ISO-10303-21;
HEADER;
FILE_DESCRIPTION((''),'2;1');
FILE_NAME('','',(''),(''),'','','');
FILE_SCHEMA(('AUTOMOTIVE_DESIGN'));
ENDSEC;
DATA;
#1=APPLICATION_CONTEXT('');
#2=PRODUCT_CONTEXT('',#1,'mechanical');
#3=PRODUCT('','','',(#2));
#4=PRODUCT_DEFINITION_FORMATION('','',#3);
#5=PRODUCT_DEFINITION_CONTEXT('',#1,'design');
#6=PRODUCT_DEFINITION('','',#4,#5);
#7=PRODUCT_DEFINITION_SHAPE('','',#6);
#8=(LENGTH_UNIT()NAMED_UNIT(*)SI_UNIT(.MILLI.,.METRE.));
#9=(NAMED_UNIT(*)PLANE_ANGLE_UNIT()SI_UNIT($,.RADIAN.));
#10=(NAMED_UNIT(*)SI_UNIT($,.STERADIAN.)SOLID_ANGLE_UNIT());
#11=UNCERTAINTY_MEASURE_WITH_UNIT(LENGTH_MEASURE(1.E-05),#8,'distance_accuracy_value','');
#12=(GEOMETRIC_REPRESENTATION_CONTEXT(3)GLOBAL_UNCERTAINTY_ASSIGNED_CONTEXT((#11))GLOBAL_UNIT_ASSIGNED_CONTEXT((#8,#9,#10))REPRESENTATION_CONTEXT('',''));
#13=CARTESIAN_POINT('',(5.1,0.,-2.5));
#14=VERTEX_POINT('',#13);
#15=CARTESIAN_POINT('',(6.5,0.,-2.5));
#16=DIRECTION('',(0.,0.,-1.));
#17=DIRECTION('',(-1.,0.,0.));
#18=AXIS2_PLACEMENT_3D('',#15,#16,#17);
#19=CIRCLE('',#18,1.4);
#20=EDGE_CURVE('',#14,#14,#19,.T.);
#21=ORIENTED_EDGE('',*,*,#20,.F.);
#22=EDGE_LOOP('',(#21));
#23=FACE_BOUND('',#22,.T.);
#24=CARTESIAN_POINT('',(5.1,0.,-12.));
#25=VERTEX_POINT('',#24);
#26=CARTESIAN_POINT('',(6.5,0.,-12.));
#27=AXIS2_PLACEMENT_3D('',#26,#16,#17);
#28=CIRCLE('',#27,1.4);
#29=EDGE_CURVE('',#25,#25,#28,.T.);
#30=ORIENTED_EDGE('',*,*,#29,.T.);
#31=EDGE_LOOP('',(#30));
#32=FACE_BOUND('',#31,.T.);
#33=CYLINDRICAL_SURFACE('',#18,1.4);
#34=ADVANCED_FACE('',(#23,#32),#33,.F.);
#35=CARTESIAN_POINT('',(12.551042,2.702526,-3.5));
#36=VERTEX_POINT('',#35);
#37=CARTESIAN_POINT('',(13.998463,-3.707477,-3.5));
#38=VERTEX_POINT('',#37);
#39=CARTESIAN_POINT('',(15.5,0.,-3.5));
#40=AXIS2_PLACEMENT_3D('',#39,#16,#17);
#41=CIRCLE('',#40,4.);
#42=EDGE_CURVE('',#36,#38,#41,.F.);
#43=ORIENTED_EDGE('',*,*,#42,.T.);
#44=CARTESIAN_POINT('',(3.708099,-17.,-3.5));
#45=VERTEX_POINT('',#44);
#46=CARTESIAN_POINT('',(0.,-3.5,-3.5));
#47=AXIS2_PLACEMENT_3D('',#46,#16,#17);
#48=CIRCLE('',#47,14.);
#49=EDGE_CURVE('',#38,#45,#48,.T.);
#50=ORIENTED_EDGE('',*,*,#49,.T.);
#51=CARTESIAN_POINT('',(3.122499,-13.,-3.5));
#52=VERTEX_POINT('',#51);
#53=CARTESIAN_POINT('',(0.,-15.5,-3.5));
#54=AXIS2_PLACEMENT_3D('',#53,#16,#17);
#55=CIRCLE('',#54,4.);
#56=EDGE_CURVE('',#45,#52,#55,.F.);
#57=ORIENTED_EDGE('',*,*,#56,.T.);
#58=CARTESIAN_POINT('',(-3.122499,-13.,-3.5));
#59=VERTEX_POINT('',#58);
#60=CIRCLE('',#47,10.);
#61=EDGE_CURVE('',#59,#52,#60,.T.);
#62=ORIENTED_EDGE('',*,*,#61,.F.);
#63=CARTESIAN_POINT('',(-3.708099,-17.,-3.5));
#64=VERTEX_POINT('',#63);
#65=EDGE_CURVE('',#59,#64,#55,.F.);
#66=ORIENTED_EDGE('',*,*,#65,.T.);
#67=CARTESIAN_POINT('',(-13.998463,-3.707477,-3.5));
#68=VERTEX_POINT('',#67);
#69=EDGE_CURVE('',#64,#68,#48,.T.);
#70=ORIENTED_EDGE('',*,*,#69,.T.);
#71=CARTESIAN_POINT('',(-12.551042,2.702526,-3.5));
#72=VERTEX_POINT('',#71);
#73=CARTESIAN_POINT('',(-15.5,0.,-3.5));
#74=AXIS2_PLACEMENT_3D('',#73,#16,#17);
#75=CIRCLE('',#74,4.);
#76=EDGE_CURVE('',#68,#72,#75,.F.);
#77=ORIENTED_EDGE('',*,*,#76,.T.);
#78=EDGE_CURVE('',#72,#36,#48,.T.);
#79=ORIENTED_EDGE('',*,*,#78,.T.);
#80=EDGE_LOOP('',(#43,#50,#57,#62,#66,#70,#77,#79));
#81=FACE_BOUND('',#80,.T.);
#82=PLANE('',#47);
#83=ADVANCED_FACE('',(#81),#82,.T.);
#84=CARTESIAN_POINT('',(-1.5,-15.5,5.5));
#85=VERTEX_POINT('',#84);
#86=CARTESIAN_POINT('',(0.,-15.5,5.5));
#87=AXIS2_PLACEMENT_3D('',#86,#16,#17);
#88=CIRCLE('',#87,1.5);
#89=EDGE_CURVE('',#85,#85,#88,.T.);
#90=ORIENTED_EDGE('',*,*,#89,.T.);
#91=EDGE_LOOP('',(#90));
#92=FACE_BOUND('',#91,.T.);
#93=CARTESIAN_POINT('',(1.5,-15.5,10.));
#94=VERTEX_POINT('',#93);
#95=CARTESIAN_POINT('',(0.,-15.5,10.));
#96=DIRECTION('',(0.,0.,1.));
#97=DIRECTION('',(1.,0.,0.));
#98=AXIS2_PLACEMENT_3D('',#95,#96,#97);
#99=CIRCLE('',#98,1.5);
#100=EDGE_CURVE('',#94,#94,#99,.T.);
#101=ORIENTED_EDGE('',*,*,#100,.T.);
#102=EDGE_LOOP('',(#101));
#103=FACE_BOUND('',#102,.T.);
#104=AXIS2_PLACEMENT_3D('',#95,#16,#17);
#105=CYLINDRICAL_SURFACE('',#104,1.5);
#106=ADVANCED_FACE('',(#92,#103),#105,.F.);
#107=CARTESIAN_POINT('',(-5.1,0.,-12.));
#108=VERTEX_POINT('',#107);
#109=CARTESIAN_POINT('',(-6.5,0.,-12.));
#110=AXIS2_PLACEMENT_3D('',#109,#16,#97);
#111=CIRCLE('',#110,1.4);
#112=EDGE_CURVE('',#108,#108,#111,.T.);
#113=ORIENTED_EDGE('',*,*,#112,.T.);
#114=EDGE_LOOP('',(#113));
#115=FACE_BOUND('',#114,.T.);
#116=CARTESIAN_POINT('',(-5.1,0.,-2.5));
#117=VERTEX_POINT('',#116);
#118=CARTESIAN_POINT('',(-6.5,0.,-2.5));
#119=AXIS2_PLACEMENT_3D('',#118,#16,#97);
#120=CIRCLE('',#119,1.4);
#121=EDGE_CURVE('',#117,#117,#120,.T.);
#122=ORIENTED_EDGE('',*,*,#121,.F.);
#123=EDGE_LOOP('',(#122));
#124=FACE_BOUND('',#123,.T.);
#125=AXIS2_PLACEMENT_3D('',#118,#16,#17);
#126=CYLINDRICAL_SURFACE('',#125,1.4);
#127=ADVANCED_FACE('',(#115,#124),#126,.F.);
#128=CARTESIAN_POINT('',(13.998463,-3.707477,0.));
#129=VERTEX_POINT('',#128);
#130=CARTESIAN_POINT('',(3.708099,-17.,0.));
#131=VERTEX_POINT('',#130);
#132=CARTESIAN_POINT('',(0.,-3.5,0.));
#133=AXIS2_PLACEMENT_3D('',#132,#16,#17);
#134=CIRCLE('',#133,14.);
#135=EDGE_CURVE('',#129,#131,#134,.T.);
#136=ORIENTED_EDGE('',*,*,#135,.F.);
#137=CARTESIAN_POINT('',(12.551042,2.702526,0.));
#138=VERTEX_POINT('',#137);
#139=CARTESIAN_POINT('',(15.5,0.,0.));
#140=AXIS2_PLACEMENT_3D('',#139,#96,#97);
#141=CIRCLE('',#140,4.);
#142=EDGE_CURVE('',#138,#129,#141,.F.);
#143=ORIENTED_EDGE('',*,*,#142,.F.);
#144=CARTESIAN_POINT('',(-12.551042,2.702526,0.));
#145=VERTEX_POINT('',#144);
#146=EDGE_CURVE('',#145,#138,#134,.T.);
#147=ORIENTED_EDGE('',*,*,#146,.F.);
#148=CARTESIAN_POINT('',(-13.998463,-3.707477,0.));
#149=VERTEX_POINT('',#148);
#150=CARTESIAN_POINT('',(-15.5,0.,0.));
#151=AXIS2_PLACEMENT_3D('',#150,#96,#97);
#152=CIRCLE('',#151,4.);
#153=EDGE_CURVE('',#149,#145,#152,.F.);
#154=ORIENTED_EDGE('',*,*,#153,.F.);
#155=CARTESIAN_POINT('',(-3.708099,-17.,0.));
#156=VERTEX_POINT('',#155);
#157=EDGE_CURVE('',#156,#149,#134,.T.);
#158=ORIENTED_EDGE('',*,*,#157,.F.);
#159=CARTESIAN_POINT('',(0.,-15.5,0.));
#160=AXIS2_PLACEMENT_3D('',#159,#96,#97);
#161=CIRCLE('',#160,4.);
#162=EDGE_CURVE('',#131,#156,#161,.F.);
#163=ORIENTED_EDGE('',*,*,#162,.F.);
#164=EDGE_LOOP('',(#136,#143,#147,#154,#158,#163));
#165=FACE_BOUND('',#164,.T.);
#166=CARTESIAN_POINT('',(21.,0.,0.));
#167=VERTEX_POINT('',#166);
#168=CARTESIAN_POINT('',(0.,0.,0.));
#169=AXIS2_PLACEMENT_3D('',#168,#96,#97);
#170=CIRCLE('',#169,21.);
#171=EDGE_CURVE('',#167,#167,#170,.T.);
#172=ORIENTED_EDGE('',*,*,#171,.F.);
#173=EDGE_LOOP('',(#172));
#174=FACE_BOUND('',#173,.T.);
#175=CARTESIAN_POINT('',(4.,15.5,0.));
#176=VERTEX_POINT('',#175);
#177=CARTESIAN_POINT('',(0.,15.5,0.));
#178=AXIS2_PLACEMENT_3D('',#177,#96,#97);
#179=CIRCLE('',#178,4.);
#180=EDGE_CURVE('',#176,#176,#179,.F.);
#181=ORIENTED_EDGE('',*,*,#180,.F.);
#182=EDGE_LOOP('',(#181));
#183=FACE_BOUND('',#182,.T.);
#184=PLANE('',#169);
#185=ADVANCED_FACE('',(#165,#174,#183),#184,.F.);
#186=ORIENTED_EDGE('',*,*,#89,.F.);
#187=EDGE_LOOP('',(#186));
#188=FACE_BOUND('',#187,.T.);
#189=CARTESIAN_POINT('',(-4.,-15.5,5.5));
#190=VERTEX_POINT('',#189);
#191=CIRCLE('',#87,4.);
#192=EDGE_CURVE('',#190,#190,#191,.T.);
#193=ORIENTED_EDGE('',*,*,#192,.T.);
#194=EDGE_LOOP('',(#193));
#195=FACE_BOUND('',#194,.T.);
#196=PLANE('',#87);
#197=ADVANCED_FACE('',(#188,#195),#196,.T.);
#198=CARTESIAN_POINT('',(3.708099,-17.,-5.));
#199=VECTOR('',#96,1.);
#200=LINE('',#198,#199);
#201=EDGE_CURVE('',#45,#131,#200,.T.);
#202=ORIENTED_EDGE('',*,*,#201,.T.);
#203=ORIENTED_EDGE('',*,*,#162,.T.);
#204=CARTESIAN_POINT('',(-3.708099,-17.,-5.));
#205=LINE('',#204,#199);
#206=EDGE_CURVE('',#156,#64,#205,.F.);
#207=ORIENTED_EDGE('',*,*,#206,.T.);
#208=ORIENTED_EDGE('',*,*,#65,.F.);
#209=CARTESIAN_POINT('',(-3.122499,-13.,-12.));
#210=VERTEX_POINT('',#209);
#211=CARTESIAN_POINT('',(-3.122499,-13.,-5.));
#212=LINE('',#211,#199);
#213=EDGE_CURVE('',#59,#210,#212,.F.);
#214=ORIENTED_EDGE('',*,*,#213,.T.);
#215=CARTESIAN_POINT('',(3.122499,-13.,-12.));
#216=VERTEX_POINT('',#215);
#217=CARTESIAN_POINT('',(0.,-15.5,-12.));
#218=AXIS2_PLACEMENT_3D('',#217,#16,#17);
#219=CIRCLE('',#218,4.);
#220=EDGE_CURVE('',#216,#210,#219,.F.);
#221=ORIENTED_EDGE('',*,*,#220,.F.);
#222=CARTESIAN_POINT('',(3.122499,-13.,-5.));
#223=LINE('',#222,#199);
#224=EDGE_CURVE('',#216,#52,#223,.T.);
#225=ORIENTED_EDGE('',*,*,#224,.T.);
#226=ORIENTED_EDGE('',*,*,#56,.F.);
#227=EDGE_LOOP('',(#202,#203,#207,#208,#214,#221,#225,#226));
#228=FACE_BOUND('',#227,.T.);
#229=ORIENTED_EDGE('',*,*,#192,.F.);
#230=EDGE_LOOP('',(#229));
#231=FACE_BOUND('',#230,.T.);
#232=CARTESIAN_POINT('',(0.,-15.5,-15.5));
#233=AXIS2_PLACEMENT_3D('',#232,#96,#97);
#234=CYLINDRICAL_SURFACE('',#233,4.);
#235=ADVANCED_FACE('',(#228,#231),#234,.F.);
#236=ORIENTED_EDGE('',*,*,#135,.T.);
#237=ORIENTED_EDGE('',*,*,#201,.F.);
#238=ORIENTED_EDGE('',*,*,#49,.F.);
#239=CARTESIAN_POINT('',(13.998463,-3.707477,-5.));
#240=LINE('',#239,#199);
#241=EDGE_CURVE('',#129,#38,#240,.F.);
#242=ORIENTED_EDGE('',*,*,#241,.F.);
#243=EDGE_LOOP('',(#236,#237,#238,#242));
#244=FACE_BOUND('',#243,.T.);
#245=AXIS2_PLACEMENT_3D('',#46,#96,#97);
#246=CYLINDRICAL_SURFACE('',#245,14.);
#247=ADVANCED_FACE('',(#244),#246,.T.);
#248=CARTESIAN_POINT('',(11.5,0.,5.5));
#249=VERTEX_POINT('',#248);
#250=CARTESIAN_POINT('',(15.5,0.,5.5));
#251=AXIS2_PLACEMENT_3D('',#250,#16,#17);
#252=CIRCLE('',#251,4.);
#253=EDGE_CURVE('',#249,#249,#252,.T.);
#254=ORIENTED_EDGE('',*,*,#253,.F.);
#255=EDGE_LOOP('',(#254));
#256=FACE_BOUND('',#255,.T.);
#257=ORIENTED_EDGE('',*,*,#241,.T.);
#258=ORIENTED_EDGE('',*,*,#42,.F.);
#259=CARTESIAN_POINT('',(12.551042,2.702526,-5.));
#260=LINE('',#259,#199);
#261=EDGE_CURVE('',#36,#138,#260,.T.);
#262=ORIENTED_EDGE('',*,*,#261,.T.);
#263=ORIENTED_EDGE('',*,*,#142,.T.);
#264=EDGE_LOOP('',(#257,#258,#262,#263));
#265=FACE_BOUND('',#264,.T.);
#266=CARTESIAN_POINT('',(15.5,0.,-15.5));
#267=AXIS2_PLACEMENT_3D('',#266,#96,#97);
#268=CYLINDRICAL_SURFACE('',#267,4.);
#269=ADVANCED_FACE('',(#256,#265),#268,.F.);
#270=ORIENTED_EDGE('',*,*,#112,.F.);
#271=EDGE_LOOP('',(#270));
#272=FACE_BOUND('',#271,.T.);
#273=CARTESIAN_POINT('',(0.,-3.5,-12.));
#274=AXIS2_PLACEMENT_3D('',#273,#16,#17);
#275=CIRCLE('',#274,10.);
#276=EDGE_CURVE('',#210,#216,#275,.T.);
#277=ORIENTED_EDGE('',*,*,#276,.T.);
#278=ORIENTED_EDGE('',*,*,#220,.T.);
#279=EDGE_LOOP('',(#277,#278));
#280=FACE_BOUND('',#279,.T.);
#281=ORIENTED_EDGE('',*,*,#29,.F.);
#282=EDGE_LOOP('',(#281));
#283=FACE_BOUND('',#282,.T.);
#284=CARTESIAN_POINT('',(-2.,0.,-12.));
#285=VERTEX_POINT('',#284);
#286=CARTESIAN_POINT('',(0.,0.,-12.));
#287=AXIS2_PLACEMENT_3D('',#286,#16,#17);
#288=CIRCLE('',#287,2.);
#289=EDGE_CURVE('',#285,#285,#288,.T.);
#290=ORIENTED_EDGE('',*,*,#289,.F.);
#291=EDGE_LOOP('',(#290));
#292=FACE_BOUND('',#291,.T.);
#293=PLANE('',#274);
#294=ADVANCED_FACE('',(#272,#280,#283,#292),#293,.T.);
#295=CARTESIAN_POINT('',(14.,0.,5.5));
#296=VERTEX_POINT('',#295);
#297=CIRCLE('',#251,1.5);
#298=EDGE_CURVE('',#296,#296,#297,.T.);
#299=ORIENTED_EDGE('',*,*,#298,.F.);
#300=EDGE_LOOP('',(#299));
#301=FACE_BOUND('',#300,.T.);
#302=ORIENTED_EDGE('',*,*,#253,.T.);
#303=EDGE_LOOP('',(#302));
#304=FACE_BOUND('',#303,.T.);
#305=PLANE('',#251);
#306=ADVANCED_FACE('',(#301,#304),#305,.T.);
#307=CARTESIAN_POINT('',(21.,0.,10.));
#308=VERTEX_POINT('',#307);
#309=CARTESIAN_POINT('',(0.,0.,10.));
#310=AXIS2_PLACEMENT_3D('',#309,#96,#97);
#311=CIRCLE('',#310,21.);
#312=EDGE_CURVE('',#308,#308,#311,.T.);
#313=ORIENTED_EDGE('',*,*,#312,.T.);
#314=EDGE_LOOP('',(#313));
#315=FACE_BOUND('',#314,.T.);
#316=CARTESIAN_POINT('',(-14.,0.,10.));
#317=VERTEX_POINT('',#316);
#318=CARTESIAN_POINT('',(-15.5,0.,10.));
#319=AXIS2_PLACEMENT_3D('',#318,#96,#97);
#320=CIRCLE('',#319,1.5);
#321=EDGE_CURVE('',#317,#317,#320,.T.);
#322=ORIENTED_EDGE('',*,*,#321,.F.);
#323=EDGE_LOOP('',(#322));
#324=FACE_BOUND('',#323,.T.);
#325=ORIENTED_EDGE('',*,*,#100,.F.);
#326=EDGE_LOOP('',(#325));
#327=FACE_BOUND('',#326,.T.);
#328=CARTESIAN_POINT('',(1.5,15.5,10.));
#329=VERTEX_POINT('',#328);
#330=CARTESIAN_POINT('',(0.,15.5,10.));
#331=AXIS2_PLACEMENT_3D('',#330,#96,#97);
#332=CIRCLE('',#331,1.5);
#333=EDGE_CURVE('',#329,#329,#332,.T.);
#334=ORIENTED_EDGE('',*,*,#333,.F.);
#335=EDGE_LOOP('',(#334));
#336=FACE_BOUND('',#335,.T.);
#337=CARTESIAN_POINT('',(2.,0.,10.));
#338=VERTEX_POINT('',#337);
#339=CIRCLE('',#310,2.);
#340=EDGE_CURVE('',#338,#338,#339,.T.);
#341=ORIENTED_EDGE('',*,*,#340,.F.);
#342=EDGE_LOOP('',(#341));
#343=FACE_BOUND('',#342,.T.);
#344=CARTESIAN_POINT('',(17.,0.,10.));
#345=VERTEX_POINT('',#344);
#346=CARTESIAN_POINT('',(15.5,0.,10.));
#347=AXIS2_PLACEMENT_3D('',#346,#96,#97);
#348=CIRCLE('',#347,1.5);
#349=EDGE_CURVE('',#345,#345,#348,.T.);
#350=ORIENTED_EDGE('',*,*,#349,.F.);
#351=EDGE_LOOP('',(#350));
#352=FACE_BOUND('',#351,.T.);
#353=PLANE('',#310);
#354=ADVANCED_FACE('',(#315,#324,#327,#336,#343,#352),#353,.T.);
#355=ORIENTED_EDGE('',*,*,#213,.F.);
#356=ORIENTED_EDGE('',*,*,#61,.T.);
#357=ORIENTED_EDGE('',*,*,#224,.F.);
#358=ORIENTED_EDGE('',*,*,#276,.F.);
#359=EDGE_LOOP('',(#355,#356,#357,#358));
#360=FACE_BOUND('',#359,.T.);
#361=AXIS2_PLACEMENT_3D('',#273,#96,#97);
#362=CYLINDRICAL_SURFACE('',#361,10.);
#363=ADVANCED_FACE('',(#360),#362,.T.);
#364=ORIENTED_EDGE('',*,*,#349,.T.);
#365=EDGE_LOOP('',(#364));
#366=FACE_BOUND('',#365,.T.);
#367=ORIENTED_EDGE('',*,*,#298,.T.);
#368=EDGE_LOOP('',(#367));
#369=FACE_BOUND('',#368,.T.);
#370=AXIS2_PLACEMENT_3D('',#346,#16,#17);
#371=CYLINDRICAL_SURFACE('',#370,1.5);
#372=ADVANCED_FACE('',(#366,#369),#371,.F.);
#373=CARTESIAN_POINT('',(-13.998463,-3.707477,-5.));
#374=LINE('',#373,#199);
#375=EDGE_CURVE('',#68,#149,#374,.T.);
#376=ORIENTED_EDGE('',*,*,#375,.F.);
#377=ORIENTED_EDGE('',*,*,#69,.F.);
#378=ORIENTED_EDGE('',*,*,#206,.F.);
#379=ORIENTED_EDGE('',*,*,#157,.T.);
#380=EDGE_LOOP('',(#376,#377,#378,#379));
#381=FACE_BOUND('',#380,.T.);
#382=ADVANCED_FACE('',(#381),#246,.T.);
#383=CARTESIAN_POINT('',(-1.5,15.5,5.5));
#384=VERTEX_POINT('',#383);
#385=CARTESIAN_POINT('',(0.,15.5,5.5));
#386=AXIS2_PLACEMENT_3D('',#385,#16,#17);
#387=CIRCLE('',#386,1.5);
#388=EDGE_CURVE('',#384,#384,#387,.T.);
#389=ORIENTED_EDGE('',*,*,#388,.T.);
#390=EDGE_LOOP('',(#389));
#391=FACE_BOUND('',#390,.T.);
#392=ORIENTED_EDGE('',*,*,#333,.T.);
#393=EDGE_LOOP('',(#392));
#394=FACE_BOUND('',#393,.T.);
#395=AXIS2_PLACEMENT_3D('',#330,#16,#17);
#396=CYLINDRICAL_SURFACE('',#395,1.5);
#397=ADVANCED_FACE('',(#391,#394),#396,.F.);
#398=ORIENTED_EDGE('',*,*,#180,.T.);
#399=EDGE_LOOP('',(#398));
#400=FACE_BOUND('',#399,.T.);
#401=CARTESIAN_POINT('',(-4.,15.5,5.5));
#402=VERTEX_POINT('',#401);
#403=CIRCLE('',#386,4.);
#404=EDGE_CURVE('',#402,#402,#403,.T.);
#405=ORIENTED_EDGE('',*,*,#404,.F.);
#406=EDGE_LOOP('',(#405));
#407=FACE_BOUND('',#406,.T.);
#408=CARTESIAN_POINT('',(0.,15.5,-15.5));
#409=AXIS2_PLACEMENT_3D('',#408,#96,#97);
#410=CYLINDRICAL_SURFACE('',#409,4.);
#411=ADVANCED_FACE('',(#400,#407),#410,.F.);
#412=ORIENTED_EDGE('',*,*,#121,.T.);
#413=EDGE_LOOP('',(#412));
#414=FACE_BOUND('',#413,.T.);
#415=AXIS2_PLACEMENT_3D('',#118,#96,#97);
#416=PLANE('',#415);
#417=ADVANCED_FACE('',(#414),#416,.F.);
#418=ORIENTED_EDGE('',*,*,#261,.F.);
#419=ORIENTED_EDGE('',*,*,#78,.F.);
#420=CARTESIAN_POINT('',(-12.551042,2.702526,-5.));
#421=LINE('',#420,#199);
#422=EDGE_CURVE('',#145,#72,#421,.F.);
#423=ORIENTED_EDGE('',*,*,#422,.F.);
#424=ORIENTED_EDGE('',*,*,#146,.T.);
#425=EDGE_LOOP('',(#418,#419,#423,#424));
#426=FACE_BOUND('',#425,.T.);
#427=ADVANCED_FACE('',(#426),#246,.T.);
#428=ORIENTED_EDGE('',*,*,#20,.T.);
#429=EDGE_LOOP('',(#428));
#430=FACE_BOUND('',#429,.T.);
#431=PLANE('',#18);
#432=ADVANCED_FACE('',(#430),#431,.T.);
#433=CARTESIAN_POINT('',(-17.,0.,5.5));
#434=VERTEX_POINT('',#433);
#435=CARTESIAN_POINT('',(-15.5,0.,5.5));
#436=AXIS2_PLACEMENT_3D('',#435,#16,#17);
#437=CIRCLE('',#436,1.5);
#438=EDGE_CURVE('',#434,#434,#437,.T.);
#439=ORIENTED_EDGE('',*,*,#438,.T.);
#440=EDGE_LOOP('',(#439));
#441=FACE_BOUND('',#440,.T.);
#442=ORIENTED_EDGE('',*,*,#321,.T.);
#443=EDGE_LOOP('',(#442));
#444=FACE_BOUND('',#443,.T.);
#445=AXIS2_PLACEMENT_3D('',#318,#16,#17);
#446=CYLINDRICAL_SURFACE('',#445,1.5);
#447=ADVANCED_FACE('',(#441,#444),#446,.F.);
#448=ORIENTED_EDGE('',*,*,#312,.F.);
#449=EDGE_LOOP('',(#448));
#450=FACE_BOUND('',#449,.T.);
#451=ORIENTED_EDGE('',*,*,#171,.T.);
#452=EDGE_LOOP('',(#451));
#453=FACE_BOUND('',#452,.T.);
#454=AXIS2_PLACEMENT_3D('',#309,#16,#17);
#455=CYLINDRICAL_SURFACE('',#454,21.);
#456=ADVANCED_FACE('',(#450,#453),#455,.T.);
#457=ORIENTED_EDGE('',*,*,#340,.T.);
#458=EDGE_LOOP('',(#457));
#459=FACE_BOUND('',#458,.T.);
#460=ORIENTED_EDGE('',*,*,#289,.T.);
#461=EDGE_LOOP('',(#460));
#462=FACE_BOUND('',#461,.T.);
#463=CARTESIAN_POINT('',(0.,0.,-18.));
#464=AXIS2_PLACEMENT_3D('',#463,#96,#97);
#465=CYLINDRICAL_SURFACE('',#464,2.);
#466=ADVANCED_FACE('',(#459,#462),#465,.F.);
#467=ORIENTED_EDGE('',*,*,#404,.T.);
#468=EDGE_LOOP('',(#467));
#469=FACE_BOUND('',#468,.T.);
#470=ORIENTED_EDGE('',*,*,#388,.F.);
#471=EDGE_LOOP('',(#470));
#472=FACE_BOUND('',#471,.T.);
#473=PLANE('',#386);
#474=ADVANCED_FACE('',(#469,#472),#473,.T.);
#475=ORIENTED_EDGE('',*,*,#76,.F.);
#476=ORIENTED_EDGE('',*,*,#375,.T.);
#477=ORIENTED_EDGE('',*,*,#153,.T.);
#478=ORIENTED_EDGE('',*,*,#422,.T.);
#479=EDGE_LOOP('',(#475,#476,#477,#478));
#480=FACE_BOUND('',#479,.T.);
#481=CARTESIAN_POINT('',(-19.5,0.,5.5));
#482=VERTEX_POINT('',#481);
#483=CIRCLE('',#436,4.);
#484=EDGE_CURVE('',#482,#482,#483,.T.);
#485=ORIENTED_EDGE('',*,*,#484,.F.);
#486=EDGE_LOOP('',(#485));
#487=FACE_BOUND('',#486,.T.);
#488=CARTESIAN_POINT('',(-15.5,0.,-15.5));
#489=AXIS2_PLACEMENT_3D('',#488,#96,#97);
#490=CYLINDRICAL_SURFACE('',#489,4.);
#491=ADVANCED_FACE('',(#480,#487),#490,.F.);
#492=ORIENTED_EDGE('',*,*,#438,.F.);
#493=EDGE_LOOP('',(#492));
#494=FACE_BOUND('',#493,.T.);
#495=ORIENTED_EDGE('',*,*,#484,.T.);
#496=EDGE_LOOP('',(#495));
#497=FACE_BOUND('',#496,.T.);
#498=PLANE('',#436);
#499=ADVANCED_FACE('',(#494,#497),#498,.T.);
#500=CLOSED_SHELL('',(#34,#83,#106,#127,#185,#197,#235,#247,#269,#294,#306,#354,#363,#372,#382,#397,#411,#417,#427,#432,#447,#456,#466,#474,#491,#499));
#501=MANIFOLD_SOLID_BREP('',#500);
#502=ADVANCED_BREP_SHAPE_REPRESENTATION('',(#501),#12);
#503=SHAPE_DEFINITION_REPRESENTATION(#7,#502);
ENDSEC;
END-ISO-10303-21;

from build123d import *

# Parameters (mm, degrees)
SKETCH_1_R               = 21
SKETCH_1_R_2             = 1.5
EXTRUDE_1_DEPTH          = 10
SKETCH_2_R               = 14
EXTRUDE_2_DEPTH          = 3.5
SKETCH_3_R               = 10
EXTRUDE_3_DEPTH          = 8.5
SKETCH_5_R               = 2
CUT_EXTRUDE_1_DEPTH      = 28
SKETCH_4_R               = 1.4
CUT_EXTRUDE_2_DEPTH      = 9.5
CUT_EXTRUDE_3_DEPTH      = 15.5
CUT_EXTRUDE_3_DEPTH_BACK = 5.5
SKETCH_6_R               = 4


with BuildPart() as part:
    # 草图1 → 凸台-拉伸1 (new body)
    with BuildSketch(Plane.XY):
        Circle(SKETCH_1_R)
        with Locations((0, -15.5)):
            Circle(SKETCH_1_R_2, mode=Mode.SUBTRACT)
        with Locations((-15.5, 0)):
            Circle(SKETCH_1_R_2, mode=Mode.SUBTRACT)
        with Locations((0, 15.5)):
            Circle(SKETCH_1_R_2, mode=Mode.SUBTRACT)
        with Locations((15.5, 0)):
            Circle(SKETCH_1_R_2, mode=Mode.SUBTRACT)
    extrude(amount=EXTRUDE_1_DEPTH)

    # 草图2 → 凸台-拉伸2 (add)
    with BuildSketch(Plane(origin=(0, 0, 0), x_dir=(-1, 0, 0), z_dir=(0, 0, -1))):
        with Locations((0, -3.5)):
            Circle(SKETCH_2_R)
    extrude(amount=EXTRUDE_2_DEPTH)

    # 草图3 → 凸台-拉伸3 (add)
    with BuildSketch(Plane(origin=(0, 0, -3.5), x_dir=(-1, 0, 0), z_dir=(0, 0, -1))):
        with Locations((0, -3.5)):
            Circle(SKETCH_3_R)
    extrude(amount=EXTRUDE_3_DEPTH)

    # 草图5 → 切除-拉伸1 (cut)
    with BuildSketch(Plane.XY.offset(10)):
        Circle(SKETCH_5_R)
    extrude(amount=-CUT_EXTRUDE_1_DEPTH, mode=Mode.SUBTRACT)

    # 草图4 → 切除-拉伸2 (cut)
    with BuildSketch(Plane(origin=(0, 0, -12), x_dir=(-1, 0, 0), z_dir=(0, 0, -1))):
        with Locations((-6.5, 0)):
            Circle(SKETCH_4_R)
        with Locations(Location((6.5, 0, 0), (0, 0, 180))):
            Circle(SKETCH_4_R)
    extrude(amount=-CUT_EXTRUDE_2_DEPTH, mode=Mode.SUBTRACT)

    # 草图6 → 切除-拉伸3 (cut, two sides: drawn at the far end of the back side and taken through both)
    with BuildSketch(Plane(origin=(0, 0, 0), x_dir=(-1, 0, 0), z_dir=(0, 0, -1)).offset(-CUT_EXTRUDE_3_DEPTH_BACK)):
        with Locations(Location((0, 15.5, 0), (0, 0, 180))):
            Circle(SKETCH_6_R)
        with Locations(Location((15.5, 0, 0), (0, 0, 137.496782389))):
            Circle(SKETCH_6_R)
        with Locations(Location((0, -15.5, 0), (0, 0, 202.024312837))):
            Circle(SKETCH_6_R)
        with Locations(Location((-15.5, 0, 0), (0, 0, 292.048071018))):
            Circle(SKETCH_6_R)
    extrude(amount=CUT_EXTRUDE_3_DEPTH + CUT_EXTRUDE_3_DEPTH_BACK, mode=Mode.SUBTRACT)


solid = part.part
